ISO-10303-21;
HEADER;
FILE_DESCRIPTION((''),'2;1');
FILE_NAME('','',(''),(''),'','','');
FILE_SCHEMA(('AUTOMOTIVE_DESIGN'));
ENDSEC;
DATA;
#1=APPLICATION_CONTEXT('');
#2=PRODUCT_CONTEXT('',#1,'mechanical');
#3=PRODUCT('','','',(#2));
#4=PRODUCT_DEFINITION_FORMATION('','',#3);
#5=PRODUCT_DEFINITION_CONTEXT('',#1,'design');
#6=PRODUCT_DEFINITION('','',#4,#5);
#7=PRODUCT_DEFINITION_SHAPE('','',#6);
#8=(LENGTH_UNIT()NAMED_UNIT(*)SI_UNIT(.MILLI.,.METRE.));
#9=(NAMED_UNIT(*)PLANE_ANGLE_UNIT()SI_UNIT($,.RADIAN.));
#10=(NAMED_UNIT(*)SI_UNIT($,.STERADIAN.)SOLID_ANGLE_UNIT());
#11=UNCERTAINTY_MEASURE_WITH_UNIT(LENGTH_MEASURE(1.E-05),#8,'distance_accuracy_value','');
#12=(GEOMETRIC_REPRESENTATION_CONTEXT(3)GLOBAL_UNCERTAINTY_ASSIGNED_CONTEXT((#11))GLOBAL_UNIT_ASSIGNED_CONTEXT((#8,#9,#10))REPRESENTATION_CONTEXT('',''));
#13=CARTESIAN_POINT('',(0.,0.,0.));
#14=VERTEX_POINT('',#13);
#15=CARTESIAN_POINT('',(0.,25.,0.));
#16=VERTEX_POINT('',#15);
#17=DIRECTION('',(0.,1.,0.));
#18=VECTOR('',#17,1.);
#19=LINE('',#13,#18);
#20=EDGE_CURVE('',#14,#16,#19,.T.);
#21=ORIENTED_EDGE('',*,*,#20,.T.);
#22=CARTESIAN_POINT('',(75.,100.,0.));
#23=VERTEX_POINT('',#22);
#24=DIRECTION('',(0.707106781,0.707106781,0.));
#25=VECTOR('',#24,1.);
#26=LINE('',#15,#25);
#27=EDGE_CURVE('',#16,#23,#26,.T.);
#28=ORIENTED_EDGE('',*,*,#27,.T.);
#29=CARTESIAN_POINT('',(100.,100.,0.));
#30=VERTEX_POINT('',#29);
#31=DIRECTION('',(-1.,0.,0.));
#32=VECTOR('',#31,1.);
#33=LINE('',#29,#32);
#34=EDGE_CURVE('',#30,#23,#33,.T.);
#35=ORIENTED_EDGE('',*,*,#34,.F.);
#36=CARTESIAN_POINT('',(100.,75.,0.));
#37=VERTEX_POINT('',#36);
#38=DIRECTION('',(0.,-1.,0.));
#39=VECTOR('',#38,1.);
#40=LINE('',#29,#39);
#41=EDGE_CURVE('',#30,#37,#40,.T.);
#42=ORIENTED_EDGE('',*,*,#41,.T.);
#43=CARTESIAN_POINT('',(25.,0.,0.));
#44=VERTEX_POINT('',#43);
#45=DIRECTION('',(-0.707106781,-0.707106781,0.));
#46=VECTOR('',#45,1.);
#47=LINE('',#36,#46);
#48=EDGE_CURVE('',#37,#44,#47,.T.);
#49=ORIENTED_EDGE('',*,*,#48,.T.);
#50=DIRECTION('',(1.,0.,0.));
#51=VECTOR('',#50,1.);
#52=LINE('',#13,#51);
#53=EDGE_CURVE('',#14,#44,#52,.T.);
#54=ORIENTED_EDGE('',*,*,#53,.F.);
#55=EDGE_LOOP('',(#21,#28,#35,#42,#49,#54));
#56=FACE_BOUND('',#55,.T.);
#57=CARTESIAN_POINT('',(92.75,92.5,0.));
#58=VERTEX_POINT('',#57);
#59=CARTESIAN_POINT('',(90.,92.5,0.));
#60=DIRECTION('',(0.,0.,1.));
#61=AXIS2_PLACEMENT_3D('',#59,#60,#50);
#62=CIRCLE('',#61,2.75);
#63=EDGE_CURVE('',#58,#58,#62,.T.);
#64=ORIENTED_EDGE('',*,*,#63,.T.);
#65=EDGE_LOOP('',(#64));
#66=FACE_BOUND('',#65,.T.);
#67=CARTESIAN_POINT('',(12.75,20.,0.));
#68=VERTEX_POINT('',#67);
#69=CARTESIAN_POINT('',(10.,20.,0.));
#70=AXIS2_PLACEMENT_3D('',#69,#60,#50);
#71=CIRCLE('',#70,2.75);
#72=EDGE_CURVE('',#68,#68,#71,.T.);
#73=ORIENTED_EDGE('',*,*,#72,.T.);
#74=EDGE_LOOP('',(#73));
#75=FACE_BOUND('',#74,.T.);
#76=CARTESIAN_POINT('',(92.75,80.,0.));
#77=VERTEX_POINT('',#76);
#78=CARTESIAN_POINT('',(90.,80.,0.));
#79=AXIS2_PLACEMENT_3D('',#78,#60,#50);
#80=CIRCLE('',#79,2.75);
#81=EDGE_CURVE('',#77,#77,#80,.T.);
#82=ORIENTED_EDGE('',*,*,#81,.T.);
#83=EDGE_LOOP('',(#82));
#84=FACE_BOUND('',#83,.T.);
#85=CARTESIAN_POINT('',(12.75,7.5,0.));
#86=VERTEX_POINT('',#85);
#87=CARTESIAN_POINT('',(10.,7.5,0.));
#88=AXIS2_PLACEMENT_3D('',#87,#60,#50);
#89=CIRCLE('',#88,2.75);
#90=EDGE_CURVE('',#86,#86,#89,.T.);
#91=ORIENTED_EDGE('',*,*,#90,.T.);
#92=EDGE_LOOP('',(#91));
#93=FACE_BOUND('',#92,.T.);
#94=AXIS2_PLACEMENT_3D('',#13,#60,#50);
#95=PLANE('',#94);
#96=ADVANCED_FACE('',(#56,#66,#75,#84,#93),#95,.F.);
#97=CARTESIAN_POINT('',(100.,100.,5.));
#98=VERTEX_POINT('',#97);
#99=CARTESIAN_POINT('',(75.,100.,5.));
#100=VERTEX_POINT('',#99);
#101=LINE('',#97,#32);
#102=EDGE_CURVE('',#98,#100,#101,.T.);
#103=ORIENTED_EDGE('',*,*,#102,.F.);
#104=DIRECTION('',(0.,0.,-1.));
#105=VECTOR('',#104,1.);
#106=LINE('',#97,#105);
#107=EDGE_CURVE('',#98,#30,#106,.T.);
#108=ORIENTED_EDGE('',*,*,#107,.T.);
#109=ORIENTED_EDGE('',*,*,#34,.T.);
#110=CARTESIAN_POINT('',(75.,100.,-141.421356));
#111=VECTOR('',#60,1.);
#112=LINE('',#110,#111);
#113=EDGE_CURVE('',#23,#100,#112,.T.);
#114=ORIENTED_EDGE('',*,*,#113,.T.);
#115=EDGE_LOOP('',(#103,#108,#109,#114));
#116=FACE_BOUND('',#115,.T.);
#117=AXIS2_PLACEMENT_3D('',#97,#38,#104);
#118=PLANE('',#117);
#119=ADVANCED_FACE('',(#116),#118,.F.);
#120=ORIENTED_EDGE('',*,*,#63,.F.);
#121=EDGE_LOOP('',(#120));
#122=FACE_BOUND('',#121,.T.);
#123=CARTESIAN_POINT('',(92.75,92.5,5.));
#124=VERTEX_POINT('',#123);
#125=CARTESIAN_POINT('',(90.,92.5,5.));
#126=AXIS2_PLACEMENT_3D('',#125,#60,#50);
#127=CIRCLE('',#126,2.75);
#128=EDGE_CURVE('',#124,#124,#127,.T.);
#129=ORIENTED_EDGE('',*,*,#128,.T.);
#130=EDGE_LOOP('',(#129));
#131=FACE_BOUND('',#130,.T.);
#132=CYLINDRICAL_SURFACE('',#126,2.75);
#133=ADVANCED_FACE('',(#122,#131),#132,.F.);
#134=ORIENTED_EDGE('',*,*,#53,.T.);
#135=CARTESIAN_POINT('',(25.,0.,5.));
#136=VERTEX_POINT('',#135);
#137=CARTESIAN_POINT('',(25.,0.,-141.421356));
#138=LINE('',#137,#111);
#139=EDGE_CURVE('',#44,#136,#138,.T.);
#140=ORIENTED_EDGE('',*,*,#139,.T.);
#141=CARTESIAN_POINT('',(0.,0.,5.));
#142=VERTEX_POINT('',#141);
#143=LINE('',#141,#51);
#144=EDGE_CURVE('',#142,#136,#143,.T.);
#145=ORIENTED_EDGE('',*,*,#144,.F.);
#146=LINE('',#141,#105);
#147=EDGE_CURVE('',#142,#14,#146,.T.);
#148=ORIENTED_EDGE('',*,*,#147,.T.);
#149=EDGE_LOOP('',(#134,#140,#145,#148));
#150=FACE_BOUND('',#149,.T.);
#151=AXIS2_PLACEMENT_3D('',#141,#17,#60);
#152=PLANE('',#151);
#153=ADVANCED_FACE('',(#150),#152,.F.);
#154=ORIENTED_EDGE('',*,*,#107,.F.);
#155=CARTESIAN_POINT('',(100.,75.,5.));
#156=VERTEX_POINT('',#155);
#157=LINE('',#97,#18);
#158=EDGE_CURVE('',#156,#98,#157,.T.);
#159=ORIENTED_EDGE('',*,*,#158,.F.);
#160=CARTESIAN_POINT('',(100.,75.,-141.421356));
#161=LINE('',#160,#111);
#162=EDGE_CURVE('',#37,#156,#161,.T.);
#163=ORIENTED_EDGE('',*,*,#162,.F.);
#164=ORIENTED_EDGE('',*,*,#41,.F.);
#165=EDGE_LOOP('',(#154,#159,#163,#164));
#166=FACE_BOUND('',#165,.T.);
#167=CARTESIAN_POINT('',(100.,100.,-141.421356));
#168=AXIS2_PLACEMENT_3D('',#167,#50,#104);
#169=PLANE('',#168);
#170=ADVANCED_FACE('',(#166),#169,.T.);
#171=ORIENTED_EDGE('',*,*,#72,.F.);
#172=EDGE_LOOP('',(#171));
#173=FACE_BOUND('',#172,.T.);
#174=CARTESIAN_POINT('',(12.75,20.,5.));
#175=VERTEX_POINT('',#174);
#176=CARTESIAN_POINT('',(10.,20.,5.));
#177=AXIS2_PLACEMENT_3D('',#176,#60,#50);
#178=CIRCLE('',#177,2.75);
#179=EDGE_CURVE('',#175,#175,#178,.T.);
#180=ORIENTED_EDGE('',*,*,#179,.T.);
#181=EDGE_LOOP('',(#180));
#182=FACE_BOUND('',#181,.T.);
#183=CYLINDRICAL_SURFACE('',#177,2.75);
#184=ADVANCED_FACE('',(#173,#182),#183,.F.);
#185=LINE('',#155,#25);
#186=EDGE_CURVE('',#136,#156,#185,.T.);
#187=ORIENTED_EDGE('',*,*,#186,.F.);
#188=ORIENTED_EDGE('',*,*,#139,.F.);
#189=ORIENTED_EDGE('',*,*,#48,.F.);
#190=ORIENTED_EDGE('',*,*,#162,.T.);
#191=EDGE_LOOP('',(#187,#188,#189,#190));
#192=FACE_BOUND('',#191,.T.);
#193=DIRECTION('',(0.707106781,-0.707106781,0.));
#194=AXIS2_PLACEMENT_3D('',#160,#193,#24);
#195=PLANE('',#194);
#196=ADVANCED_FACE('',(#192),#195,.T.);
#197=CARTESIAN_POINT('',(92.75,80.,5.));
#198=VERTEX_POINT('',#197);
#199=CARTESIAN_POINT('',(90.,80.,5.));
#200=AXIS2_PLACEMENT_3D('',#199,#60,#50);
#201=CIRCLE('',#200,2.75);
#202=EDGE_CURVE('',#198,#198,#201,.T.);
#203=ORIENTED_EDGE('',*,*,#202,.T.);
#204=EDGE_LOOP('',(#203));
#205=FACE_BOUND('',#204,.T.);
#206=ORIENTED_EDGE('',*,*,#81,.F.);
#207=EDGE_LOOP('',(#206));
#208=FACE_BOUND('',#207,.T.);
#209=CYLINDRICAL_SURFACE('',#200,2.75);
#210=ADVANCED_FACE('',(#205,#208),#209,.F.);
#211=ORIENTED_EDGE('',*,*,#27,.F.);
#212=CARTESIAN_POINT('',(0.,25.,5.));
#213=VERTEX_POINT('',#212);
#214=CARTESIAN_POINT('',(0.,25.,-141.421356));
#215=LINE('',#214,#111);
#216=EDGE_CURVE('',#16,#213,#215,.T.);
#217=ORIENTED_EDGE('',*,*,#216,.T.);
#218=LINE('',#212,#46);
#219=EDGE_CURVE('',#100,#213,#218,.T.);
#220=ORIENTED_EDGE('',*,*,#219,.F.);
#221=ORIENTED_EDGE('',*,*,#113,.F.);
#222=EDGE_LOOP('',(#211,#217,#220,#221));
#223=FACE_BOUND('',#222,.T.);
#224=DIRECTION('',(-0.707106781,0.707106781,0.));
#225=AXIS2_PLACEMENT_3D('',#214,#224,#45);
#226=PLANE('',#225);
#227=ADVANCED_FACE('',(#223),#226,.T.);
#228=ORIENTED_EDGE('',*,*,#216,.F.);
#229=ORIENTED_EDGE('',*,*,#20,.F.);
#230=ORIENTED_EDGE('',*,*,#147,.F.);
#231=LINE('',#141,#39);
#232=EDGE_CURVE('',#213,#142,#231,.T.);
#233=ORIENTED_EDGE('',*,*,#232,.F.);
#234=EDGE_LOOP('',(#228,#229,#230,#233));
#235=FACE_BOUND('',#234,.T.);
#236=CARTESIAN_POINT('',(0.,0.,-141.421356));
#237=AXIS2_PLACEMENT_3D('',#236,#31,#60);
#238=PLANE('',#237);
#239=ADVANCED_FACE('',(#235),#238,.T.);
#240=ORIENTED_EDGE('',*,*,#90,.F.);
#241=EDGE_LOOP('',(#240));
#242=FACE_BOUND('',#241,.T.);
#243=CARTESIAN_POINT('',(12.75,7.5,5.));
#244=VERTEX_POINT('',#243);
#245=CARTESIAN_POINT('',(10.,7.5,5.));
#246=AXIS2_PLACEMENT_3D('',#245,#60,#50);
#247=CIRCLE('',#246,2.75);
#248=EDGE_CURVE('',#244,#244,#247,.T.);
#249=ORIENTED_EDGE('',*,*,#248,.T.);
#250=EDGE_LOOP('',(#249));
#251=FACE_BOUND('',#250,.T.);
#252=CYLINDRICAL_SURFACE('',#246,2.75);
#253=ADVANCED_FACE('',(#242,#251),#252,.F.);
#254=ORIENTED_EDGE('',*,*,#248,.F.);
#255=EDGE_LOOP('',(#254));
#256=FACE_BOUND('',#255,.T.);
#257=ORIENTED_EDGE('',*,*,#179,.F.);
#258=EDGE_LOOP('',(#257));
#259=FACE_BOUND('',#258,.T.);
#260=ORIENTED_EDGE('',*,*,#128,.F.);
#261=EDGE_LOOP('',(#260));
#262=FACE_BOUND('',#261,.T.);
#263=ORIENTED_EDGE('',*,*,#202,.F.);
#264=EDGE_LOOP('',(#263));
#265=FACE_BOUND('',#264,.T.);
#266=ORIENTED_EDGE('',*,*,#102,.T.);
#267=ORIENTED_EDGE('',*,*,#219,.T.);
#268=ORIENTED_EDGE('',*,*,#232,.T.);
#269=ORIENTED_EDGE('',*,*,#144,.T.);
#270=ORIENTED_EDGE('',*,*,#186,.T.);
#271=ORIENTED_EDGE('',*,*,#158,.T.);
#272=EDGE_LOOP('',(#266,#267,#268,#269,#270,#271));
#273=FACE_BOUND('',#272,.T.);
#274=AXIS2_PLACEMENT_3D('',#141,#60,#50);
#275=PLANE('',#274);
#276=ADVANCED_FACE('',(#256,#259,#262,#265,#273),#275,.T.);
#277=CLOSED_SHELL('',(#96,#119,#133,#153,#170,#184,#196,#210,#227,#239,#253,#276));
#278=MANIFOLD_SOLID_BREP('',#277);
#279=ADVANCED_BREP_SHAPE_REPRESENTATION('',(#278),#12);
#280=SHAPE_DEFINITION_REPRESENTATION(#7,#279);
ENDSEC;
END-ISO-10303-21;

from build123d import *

# Parameters (mm, degrees)
BOSS_EXTRUDE1_DEPTH  = 5
BOSS_EXTRUDE2_DEPTH  = 5
M5_CLEARANCE_HOLE1_D = 5.5


with BuildPart() as part:
    # Sketch1 → Boss-Extrude1 (new body)
    with BuildSketch(Plane.XY):
        Polygon((0, 0), (20, 0), (100, 100), (80, 100), align=None)
    extrude(amount=BOSS_EXTRUDE1_DEPTH)

    # Sketch2 → Boss-Extrude2 (add)
    with BuildSketch(Plane.XY.offset(5)):
        Polygon((0, 0), (0, 25), (75, 100), (80, 100), (100, 100), (100, 75), (25, 0), align=None)
    extrude(amount=-BOSS_EXTRUDE2_DEPTH)

    # M5 Clearance Hole1 (through all)
    with Locations(Plane.XY.offset(5)):
        with Locations((10, 20), (90, 80), (10, 7.5), (90, 92.5)):
            Hole(M5_CLEARANCE_HOLE1_D / 2)


solid = part.part
